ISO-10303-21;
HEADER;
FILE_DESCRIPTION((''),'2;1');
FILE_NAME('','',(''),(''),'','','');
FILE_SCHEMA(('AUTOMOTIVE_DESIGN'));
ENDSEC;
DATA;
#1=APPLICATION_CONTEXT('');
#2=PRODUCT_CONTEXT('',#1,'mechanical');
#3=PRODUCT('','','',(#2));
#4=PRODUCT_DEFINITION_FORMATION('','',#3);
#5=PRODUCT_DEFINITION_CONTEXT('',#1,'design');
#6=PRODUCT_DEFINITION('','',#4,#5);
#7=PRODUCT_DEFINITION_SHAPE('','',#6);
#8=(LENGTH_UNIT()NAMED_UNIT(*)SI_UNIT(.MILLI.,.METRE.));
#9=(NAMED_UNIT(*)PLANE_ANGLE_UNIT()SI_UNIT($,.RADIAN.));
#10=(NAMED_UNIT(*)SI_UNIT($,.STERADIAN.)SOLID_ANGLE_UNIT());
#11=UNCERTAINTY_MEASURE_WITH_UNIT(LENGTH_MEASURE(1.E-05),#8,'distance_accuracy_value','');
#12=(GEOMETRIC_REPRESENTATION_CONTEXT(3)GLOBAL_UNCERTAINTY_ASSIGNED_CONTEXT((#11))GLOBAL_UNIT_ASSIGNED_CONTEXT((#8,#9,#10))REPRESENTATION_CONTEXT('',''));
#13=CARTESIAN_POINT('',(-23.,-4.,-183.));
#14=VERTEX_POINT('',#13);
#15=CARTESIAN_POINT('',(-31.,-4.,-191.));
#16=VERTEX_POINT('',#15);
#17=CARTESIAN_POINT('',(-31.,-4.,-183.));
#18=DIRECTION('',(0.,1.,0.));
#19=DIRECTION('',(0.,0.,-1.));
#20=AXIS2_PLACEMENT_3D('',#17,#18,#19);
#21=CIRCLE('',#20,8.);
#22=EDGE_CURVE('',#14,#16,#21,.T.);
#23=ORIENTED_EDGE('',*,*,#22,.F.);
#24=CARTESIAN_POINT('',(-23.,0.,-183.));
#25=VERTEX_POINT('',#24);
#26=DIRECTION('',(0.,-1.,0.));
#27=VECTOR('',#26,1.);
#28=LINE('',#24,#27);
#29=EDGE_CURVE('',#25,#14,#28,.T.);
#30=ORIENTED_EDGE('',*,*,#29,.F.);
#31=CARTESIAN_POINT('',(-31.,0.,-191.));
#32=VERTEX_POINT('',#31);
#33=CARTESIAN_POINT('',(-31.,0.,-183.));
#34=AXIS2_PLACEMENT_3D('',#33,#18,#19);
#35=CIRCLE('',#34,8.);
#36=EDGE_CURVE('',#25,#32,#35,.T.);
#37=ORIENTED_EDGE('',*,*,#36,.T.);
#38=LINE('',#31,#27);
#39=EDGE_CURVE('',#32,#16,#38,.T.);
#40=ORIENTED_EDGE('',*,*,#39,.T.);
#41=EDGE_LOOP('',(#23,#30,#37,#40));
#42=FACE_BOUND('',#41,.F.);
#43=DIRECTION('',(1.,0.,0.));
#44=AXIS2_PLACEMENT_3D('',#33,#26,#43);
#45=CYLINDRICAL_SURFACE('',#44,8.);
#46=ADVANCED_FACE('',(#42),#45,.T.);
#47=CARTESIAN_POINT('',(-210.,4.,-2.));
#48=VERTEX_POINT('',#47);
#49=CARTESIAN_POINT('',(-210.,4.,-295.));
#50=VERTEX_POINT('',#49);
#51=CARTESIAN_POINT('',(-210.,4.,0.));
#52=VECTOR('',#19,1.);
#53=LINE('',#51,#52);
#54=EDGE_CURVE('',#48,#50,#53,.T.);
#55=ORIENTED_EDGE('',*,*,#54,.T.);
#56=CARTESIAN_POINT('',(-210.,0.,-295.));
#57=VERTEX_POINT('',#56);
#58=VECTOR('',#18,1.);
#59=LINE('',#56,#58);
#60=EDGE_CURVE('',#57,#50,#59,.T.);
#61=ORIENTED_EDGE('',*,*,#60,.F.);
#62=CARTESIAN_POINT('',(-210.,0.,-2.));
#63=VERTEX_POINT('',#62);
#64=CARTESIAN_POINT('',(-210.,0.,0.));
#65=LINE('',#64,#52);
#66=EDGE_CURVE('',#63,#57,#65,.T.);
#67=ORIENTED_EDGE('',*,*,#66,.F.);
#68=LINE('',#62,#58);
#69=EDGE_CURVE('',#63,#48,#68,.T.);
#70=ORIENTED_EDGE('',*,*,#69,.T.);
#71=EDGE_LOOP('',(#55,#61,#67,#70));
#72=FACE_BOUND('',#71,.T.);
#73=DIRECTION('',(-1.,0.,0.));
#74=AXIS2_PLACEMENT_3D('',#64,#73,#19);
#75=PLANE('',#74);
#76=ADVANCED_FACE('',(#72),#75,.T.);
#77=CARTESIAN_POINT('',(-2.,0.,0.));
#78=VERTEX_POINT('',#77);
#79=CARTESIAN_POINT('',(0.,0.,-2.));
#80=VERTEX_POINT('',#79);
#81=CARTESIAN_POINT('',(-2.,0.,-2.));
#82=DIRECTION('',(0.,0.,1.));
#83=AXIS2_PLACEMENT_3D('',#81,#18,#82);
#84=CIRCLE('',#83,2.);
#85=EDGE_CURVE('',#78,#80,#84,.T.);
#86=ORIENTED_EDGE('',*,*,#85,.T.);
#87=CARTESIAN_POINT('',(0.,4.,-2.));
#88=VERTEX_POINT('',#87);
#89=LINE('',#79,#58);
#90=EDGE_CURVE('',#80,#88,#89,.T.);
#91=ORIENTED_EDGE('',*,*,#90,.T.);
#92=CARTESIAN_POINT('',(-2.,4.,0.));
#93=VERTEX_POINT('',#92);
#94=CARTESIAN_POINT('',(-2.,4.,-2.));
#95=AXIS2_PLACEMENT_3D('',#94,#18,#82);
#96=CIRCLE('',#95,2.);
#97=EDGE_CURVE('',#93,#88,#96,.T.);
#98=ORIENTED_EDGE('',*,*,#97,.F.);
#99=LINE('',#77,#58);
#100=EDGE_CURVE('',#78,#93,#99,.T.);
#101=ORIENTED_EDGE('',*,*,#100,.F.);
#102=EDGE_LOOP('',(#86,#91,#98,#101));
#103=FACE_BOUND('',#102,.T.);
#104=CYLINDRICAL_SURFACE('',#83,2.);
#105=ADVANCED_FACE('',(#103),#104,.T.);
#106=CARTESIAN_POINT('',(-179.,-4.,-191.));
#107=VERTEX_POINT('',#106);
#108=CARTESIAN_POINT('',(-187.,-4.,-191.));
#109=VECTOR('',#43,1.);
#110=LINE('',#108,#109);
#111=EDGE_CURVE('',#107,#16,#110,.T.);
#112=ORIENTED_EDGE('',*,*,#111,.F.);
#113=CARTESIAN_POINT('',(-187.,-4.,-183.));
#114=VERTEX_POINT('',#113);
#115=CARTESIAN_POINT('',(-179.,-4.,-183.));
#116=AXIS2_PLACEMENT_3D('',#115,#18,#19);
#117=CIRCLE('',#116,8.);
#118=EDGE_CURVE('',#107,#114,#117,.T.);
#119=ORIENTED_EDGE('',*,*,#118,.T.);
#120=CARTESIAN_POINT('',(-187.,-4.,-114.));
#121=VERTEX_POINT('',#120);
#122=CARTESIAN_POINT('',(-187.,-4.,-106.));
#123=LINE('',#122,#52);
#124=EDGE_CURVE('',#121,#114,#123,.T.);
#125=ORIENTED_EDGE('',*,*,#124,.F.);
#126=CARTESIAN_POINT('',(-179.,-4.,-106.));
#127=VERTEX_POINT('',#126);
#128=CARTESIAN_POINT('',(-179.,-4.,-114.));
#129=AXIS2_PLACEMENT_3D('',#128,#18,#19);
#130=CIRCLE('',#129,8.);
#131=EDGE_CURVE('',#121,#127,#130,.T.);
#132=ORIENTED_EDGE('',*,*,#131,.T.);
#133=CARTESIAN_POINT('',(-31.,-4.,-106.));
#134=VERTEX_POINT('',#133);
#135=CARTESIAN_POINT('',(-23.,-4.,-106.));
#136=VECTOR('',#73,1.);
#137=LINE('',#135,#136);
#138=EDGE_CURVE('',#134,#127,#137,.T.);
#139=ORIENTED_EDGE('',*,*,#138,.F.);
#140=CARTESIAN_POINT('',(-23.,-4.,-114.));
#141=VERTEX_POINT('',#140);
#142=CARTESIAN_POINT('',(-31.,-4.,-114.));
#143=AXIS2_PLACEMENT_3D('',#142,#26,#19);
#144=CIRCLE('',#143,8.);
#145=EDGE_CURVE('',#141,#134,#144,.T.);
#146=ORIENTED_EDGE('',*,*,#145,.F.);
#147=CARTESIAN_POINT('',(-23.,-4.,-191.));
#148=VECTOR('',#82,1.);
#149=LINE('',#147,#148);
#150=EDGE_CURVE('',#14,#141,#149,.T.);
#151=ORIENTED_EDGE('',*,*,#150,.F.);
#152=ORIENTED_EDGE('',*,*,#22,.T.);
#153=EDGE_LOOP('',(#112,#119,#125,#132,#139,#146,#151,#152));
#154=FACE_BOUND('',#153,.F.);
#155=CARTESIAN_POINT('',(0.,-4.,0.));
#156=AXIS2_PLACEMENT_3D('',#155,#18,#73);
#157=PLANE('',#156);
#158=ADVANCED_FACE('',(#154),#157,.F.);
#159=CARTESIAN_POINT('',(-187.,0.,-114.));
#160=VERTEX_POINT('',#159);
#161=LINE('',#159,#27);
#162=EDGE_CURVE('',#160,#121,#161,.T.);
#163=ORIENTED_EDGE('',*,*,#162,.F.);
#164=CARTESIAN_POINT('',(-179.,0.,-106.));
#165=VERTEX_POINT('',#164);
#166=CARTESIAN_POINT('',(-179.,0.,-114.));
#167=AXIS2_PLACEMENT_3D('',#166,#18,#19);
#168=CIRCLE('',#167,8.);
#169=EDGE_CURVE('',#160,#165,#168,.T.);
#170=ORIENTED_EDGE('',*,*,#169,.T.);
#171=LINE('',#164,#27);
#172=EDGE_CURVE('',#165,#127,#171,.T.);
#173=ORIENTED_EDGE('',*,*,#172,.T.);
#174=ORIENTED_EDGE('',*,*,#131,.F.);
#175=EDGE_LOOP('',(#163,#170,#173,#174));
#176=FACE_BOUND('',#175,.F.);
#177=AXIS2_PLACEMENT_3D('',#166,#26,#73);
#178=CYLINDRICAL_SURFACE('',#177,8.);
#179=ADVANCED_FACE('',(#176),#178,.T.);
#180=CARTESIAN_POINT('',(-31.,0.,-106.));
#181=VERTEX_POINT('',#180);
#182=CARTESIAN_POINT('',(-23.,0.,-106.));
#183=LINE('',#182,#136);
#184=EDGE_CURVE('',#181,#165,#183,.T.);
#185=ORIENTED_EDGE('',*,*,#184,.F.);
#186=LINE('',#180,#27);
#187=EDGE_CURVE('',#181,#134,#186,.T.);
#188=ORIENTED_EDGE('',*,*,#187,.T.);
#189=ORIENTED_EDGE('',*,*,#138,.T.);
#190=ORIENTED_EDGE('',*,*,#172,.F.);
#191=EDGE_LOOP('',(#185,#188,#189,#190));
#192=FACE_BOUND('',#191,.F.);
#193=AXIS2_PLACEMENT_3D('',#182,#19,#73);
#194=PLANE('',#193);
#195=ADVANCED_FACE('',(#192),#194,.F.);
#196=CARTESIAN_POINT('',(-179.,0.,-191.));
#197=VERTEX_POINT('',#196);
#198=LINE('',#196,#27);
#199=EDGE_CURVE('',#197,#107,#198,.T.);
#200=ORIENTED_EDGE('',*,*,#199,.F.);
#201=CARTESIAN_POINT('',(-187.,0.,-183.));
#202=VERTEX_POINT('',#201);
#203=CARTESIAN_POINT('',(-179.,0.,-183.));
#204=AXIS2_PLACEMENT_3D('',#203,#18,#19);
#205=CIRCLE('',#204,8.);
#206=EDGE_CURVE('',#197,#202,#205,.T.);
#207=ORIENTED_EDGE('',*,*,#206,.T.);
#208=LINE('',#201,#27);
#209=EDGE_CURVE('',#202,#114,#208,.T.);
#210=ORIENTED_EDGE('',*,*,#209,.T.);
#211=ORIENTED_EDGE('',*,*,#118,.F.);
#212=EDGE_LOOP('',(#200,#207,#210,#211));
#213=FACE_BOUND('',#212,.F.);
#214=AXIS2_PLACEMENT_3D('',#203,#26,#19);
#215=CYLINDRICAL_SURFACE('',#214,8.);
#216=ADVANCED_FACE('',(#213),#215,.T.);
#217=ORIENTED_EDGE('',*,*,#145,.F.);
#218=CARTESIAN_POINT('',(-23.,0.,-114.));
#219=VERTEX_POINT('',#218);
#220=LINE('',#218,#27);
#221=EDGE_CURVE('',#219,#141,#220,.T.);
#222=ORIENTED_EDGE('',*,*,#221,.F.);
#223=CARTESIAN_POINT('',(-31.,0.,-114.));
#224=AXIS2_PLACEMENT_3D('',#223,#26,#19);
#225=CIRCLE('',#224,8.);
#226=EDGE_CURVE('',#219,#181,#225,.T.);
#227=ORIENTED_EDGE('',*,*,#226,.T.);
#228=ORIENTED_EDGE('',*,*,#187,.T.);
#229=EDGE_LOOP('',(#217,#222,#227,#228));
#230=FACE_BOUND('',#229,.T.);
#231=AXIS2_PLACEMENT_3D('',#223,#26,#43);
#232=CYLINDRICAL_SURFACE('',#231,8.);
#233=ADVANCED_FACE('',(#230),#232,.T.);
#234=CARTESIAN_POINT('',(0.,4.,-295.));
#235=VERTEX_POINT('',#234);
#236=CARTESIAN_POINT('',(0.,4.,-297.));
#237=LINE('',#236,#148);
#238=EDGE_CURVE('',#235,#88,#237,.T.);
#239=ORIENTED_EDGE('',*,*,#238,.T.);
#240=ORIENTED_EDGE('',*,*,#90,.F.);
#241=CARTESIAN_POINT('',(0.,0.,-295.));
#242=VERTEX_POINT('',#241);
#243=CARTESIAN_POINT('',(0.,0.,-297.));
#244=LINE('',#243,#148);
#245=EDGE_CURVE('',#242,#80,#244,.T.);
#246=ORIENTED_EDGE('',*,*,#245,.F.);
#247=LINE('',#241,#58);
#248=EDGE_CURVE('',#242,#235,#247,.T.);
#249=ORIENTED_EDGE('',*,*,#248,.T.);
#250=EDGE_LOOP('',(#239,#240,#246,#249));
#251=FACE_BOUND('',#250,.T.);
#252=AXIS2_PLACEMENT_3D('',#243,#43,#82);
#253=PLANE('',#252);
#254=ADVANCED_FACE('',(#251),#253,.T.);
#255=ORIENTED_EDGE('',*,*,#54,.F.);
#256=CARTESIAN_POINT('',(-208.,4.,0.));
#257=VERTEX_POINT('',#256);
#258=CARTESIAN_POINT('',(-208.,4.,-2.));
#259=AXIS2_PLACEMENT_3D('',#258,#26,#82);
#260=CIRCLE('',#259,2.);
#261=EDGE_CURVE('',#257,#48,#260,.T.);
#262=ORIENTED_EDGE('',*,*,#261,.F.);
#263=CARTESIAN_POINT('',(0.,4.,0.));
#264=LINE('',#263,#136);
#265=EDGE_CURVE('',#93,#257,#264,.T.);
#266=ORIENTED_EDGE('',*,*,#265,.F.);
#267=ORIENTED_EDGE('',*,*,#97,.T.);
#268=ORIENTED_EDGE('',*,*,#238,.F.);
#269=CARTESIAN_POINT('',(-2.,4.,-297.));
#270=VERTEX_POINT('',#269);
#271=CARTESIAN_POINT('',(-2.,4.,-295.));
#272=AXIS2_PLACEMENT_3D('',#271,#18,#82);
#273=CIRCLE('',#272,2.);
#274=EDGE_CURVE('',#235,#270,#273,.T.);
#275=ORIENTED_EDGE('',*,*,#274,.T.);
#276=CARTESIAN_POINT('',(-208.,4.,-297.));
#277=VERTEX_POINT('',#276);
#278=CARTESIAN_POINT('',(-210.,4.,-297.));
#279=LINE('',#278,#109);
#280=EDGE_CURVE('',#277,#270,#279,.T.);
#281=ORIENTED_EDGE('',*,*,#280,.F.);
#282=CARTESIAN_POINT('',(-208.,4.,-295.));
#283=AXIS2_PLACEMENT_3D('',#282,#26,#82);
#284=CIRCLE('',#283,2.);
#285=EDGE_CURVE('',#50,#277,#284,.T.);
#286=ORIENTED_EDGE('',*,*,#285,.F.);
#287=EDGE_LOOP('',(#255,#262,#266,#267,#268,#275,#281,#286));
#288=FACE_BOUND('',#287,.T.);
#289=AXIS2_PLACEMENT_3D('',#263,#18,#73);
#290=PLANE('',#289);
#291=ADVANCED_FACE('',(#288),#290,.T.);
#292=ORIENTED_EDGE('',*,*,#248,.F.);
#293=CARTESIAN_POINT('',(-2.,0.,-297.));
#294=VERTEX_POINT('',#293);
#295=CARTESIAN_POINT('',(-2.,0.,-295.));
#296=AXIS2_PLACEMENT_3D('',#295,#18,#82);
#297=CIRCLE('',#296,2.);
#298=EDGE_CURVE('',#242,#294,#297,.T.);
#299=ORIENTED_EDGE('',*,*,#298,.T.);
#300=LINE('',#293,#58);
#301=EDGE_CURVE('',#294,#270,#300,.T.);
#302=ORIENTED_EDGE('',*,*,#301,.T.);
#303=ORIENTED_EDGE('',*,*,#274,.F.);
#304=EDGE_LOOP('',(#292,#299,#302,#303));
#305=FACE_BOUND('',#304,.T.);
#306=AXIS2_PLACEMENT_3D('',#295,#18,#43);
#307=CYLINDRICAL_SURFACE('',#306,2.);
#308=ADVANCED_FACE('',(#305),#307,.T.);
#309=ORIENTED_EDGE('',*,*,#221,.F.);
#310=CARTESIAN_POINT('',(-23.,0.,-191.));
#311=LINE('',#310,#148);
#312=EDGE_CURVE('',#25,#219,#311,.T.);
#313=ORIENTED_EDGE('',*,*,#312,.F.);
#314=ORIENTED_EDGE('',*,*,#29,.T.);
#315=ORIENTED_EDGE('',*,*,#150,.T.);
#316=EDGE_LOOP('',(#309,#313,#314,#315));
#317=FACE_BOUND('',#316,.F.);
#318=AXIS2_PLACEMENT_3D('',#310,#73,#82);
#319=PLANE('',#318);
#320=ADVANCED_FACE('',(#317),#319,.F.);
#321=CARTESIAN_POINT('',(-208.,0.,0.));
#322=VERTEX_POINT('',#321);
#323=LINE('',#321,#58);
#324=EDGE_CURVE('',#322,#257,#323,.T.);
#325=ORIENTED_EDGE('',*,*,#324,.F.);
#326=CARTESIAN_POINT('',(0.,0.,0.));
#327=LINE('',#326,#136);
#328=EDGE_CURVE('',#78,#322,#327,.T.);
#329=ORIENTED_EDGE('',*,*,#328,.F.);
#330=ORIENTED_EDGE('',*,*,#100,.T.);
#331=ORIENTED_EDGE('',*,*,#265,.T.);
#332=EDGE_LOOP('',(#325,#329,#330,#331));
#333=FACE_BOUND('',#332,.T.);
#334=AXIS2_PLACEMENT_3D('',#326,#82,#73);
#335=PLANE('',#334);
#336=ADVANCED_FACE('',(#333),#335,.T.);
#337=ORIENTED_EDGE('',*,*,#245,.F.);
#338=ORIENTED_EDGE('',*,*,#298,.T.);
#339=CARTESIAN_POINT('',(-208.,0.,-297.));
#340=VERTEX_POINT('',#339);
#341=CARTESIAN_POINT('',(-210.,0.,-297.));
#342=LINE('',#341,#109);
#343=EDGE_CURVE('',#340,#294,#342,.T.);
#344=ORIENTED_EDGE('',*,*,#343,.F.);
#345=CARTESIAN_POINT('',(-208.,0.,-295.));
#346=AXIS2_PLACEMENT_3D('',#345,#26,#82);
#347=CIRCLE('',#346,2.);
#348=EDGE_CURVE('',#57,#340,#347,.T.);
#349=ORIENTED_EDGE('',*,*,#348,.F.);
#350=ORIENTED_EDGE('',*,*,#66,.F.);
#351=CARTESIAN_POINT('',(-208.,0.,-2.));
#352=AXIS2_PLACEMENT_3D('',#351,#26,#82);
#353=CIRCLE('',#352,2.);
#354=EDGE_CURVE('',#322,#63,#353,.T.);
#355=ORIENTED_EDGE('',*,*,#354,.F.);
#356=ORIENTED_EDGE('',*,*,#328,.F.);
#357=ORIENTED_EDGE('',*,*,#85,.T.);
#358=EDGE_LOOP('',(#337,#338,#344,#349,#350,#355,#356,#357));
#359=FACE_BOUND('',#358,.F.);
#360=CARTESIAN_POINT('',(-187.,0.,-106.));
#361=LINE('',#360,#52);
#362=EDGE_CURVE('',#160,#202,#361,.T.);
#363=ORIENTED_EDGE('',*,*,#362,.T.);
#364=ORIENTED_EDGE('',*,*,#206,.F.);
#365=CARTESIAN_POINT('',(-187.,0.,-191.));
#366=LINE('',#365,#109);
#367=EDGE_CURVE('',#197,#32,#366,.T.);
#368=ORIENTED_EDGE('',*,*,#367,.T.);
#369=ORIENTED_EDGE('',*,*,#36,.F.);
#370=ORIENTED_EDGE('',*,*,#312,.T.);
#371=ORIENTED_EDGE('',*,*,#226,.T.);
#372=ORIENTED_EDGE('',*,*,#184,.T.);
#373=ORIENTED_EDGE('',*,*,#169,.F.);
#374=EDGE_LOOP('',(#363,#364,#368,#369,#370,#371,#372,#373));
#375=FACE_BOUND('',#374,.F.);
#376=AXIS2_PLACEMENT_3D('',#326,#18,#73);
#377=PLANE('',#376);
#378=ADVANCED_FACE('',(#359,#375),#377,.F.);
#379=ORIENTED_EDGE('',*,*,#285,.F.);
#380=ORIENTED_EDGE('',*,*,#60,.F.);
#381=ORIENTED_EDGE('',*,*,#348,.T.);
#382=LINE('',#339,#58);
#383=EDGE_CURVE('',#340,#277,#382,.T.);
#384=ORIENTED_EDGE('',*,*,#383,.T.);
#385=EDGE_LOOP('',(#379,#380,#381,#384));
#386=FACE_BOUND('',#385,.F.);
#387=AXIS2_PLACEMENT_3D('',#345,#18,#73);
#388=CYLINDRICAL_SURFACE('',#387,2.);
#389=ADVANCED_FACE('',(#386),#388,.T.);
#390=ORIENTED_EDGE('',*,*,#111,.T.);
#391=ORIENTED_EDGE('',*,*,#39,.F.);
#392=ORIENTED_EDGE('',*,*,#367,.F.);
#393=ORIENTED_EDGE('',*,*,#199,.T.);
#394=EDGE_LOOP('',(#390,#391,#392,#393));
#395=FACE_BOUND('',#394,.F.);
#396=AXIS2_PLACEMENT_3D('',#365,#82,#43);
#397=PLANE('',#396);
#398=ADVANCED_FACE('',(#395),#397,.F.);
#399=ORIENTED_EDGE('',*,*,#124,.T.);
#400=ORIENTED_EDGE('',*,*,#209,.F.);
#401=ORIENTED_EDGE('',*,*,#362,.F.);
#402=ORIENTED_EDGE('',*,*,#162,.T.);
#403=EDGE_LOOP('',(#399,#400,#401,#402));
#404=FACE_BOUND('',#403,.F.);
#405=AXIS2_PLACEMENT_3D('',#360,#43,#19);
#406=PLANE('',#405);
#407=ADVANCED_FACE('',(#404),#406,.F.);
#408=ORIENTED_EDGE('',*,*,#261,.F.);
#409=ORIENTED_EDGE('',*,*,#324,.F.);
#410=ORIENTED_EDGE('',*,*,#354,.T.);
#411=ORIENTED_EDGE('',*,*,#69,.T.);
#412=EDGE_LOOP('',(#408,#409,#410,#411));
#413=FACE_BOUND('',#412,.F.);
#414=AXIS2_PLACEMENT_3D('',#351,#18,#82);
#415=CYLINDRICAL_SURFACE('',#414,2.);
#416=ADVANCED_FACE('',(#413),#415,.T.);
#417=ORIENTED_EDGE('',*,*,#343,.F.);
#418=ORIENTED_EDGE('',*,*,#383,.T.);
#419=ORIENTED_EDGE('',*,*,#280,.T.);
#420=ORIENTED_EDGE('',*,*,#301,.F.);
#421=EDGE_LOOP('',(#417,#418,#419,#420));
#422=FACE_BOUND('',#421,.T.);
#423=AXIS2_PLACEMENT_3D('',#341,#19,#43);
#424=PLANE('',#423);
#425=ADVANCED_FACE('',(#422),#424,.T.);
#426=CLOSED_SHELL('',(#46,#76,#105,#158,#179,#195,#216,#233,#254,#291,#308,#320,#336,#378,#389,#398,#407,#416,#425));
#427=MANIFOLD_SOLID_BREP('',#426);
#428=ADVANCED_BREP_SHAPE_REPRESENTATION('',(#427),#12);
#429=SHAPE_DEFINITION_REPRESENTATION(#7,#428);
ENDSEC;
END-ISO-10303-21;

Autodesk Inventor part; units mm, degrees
ref_plane "YZ Plane" through (0, 0, 0) normal (1, 0, 0) x (0, 1, 0)
ref_plane "XZ Plane" through (0, 0, 0) normal (0, 1, 0) x (-1, 0, 0)
ref_plane "XY Plane" through (0, 0, 0) normal (0, 0, 1) x (1, 0, 0)
sketch "Sketch1" plane through (0, 0, 0) normal (0, 1, 0) x (-1, 0, 0)
  line L0 (0, 0) -> (210, 0)
  line L1 (210, 0) -> (210, -297)
  line L2 (210, -297) -> (0, -297)
  line L3 (0, -297) -> (0, 0)
  line L4 (23, -106) -> (187, -106)
  line L5 (187, -106) -> (187, -191)
  line L6 (187, -191) -> (23, -191)
  line L7 (23, -191) -> (23, -106)
  dimension "d30" = 210
  dimension "d31" = 297
  dimension "d34" = 164
  dimension "d35" = 85
  dimension "d42" = 106
  dimension "d43" = 23
extrude "Extrusion6" add sketch "Sketch1" against normal blind 4 contours L4 L5 L6 L7
extrude "Extrusion7" add sketch "Sketch1" along normal blind 4 contours L0 L1 L2 L3 | L4 L5 L6 L7
fillet "Fillet3" radius 2 4 edges at (0, 2, 0) (-210, 2, 0) (-210, 2, -297) (0, 2, -297)
fillet "Fillet4" radius 8 4 edges at (-187, -2, -191) (-187, -2, -106) (-23, -2, -106) (-23, -2, -191)
sketch "Sketch3" plane through (0, 4, 0) normal (0, 1, 0) x (1, 0, 0)
  line L0 (-210, 295) -> (-210, 2) projected
  line L1 (-210, 148.5) -> (0, 148.5)
  line L2 (0, 2) -> (0, 295) projected
  line L3 (-208, 0) -> (-2, 0) projected
  line L4 (-105, 0) -> (-105, 297)
  line L5 (-2, 297) -> (-208, 297) projected
  point P0 (0, 0)
